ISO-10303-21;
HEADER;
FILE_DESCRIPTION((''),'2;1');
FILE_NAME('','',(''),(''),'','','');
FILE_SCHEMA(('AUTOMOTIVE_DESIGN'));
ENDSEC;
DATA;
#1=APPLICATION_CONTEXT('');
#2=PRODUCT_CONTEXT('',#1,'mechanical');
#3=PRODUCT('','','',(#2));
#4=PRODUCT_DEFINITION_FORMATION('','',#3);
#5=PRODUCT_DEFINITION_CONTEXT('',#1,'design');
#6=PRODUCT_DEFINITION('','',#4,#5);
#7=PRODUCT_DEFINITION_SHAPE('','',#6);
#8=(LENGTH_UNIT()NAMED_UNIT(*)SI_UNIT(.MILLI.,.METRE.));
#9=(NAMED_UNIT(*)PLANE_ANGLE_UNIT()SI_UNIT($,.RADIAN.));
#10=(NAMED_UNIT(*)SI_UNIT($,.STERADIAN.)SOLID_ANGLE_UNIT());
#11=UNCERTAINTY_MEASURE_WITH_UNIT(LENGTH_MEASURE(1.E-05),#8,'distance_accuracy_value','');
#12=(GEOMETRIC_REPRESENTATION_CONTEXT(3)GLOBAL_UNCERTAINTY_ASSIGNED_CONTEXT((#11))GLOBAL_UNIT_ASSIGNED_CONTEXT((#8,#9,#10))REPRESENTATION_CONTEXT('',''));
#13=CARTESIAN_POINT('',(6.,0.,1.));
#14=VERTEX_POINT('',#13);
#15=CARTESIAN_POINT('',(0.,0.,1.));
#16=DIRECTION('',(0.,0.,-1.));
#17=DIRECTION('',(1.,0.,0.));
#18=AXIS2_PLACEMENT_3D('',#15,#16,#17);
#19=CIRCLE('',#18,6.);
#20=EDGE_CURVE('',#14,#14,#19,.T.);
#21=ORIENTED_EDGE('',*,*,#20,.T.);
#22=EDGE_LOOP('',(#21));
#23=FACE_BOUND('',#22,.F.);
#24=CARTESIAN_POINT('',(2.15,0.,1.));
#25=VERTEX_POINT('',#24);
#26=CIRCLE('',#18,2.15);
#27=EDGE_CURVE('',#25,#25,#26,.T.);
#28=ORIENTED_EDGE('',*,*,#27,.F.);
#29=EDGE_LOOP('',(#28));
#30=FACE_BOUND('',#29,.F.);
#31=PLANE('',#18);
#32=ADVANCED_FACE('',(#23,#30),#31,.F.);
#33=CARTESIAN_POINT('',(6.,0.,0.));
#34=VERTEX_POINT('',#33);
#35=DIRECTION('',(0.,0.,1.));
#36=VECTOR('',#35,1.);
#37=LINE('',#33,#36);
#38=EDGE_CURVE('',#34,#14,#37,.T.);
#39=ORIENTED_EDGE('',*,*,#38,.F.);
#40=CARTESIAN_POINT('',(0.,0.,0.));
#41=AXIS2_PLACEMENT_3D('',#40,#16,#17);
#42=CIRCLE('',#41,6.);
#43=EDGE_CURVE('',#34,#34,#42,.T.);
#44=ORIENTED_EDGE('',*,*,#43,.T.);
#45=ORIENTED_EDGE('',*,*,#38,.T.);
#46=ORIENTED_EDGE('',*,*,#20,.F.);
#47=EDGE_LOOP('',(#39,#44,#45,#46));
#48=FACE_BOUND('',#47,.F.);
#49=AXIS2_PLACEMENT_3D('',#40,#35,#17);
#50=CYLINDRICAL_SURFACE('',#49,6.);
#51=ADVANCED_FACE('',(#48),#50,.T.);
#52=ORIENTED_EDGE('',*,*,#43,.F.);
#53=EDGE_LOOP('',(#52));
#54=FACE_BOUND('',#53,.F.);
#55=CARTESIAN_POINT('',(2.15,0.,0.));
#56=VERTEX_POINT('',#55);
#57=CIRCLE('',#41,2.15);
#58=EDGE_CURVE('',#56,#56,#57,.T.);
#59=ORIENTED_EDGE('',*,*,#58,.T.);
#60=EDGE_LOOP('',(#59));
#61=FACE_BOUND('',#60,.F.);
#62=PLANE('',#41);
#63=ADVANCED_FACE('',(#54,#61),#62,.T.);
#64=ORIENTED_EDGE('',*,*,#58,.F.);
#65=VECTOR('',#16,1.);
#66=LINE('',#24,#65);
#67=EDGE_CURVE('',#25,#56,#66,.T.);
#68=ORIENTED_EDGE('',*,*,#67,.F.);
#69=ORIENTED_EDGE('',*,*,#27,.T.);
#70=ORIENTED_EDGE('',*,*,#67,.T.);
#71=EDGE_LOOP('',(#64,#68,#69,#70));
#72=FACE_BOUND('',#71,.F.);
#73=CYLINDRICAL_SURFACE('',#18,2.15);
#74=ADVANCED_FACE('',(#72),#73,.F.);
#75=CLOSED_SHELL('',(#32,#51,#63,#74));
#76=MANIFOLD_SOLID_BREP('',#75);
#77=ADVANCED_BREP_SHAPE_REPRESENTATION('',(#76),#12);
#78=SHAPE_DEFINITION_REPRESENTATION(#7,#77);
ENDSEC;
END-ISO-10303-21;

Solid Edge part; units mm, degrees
sketch "Sketch1" plane through (0, 0, 0) normal (0, -1, 0) x (1, 0, 0)
  line L0 (2.15, 1) -> (2.15, 0)
  line L1 (2.15, 0) -> (6, 0)
  line L2 (6, 0) -> (6, 1)
  line L3 (6, 1) -> (2.15, 1)
  dimension "D1" = 2.15
  dimension "D2" = 6
  dimension "D3" = 1
revolve "RevolvedProtrusion1" add sketch "Sketch1" angle 360 about axis through (0, 0, 2) along (0, 0, -1)
properties material "Steel"
